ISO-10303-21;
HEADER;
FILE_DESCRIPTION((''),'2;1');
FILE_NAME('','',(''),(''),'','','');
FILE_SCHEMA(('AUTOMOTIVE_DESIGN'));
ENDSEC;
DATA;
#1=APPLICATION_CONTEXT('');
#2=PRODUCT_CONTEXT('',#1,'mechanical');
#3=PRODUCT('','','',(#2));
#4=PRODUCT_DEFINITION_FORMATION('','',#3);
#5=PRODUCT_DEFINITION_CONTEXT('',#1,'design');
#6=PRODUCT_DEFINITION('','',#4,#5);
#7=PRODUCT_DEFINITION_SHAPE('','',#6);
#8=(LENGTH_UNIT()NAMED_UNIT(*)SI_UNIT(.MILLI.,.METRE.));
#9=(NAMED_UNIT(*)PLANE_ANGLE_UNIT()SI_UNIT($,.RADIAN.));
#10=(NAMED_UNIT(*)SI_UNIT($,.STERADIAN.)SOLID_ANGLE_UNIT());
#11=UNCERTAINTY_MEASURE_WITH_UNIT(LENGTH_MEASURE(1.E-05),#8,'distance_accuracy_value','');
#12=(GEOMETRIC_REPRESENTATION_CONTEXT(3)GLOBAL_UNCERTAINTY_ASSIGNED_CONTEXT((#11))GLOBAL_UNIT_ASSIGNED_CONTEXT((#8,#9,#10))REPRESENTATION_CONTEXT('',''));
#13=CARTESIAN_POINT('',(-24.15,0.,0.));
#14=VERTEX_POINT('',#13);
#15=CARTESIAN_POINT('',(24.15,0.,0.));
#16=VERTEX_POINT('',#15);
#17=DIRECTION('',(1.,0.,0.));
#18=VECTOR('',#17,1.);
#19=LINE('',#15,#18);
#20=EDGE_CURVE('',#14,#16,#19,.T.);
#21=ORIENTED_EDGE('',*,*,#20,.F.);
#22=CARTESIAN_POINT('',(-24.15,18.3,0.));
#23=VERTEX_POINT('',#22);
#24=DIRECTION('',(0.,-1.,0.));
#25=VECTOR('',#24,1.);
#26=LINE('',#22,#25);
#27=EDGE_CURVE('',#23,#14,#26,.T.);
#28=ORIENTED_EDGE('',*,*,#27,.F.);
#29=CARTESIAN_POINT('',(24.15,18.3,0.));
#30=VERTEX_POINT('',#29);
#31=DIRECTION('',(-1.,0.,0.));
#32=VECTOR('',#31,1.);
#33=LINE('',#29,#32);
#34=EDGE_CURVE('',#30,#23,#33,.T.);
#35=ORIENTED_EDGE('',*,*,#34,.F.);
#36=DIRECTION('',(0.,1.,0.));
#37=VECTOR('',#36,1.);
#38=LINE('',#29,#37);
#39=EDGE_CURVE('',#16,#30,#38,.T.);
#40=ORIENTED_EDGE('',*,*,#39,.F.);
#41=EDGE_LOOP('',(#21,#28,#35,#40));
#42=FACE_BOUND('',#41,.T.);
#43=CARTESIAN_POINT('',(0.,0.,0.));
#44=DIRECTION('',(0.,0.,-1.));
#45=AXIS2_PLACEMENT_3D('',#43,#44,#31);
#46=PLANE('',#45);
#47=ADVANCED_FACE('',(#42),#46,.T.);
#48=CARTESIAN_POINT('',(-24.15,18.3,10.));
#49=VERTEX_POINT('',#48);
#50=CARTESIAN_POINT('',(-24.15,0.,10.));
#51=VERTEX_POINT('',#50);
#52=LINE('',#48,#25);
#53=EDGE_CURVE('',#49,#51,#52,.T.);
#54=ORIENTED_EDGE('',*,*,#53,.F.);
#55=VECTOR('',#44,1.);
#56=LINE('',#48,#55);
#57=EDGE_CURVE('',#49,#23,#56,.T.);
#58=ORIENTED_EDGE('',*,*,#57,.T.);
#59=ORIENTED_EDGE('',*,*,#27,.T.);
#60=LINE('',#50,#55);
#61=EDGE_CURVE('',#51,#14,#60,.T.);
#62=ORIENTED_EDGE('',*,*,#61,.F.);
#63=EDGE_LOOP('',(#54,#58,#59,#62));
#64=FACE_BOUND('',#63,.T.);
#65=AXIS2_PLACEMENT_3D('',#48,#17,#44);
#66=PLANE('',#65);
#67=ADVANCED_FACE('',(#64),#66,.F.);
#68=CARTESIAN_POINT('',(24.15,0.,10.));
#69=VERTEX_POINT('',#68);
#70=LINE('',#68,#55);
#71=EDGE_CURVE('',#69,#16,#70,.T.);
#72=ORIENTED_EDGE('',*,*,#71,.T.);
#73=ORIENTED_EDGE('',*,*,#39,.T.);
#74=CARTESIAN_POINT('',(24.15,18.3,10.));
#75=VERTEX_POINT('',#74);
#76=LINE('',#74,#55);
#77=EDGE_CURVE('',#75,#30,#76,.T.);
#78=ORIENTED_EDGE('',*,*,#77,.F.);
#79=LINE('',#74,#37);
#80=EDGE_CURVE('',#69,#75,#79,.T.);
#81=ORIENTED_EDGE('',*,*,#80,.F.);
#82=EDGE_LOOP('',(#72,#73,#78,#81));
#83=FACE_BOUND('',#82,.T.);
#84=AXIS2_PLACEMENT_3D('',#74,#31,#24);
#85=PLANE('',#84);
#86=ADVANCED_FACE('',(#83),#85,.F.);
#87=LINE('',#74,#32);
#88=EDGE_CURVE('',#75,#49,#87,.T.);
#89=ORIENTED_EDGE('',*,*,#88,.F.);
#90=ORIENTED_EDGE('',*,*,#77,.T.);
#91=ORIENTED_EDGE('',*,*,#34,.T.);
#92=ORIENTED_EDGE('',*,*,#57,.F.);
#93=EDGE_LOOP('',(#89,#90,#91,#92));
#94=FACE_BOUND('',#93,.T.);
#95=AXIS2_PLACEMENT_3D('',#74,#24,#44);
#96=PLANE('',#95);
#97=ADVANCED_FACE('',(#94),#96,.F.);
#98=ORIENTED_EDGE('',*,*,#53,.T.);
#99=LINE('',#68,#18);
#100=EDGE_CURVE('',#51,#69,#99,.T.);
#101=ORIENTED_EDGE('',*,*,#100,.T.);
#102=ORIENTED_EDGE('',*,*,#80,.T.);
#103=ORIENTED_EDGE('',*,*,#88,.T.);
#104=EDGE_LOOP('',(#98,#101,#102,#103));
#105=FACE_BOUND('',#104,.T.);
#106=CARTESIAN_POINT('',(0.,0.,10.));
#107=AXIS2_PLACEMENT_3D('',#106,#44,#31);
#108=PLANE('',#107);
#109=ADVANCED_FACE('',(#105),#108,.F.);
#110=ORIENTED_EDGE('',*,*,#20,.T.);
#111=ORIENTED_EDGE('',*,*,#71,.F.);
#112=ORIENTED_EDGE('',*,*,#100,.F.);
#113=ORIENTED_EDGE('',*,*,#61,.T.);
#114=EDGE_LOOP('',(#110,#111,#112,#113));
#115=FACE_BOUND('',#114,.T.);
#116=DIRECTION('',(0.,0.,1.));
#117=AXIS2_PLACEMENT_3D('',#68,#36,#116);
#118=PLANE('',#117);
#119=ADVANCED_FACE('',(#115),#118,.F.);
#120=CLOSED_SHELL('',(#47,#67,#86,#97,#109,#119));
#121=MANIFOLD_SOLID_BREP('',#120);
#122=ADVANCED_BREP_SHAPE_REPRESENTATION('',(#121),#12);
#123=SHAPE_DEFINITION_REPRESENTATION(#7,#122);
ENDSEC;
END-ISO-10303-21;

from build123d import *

# Parameters (mm, degrees)
SKETCH_1_W      = 48.3
SKETCH_1_H      = 18.3
EXTRUDE_1_DEPTH = 10


with BuildPart() as part:
    # 草图1 → 凸台-拉伸1 (new body)
    with BuildSketch(Plane.XY):
        with Locations((0, 9.15)):
            Rectangle(SKETCH_1_W, SKETCH_1_H)
    extrude(amount=EXTRUDE_1_DEPTH)


solid = part.part
